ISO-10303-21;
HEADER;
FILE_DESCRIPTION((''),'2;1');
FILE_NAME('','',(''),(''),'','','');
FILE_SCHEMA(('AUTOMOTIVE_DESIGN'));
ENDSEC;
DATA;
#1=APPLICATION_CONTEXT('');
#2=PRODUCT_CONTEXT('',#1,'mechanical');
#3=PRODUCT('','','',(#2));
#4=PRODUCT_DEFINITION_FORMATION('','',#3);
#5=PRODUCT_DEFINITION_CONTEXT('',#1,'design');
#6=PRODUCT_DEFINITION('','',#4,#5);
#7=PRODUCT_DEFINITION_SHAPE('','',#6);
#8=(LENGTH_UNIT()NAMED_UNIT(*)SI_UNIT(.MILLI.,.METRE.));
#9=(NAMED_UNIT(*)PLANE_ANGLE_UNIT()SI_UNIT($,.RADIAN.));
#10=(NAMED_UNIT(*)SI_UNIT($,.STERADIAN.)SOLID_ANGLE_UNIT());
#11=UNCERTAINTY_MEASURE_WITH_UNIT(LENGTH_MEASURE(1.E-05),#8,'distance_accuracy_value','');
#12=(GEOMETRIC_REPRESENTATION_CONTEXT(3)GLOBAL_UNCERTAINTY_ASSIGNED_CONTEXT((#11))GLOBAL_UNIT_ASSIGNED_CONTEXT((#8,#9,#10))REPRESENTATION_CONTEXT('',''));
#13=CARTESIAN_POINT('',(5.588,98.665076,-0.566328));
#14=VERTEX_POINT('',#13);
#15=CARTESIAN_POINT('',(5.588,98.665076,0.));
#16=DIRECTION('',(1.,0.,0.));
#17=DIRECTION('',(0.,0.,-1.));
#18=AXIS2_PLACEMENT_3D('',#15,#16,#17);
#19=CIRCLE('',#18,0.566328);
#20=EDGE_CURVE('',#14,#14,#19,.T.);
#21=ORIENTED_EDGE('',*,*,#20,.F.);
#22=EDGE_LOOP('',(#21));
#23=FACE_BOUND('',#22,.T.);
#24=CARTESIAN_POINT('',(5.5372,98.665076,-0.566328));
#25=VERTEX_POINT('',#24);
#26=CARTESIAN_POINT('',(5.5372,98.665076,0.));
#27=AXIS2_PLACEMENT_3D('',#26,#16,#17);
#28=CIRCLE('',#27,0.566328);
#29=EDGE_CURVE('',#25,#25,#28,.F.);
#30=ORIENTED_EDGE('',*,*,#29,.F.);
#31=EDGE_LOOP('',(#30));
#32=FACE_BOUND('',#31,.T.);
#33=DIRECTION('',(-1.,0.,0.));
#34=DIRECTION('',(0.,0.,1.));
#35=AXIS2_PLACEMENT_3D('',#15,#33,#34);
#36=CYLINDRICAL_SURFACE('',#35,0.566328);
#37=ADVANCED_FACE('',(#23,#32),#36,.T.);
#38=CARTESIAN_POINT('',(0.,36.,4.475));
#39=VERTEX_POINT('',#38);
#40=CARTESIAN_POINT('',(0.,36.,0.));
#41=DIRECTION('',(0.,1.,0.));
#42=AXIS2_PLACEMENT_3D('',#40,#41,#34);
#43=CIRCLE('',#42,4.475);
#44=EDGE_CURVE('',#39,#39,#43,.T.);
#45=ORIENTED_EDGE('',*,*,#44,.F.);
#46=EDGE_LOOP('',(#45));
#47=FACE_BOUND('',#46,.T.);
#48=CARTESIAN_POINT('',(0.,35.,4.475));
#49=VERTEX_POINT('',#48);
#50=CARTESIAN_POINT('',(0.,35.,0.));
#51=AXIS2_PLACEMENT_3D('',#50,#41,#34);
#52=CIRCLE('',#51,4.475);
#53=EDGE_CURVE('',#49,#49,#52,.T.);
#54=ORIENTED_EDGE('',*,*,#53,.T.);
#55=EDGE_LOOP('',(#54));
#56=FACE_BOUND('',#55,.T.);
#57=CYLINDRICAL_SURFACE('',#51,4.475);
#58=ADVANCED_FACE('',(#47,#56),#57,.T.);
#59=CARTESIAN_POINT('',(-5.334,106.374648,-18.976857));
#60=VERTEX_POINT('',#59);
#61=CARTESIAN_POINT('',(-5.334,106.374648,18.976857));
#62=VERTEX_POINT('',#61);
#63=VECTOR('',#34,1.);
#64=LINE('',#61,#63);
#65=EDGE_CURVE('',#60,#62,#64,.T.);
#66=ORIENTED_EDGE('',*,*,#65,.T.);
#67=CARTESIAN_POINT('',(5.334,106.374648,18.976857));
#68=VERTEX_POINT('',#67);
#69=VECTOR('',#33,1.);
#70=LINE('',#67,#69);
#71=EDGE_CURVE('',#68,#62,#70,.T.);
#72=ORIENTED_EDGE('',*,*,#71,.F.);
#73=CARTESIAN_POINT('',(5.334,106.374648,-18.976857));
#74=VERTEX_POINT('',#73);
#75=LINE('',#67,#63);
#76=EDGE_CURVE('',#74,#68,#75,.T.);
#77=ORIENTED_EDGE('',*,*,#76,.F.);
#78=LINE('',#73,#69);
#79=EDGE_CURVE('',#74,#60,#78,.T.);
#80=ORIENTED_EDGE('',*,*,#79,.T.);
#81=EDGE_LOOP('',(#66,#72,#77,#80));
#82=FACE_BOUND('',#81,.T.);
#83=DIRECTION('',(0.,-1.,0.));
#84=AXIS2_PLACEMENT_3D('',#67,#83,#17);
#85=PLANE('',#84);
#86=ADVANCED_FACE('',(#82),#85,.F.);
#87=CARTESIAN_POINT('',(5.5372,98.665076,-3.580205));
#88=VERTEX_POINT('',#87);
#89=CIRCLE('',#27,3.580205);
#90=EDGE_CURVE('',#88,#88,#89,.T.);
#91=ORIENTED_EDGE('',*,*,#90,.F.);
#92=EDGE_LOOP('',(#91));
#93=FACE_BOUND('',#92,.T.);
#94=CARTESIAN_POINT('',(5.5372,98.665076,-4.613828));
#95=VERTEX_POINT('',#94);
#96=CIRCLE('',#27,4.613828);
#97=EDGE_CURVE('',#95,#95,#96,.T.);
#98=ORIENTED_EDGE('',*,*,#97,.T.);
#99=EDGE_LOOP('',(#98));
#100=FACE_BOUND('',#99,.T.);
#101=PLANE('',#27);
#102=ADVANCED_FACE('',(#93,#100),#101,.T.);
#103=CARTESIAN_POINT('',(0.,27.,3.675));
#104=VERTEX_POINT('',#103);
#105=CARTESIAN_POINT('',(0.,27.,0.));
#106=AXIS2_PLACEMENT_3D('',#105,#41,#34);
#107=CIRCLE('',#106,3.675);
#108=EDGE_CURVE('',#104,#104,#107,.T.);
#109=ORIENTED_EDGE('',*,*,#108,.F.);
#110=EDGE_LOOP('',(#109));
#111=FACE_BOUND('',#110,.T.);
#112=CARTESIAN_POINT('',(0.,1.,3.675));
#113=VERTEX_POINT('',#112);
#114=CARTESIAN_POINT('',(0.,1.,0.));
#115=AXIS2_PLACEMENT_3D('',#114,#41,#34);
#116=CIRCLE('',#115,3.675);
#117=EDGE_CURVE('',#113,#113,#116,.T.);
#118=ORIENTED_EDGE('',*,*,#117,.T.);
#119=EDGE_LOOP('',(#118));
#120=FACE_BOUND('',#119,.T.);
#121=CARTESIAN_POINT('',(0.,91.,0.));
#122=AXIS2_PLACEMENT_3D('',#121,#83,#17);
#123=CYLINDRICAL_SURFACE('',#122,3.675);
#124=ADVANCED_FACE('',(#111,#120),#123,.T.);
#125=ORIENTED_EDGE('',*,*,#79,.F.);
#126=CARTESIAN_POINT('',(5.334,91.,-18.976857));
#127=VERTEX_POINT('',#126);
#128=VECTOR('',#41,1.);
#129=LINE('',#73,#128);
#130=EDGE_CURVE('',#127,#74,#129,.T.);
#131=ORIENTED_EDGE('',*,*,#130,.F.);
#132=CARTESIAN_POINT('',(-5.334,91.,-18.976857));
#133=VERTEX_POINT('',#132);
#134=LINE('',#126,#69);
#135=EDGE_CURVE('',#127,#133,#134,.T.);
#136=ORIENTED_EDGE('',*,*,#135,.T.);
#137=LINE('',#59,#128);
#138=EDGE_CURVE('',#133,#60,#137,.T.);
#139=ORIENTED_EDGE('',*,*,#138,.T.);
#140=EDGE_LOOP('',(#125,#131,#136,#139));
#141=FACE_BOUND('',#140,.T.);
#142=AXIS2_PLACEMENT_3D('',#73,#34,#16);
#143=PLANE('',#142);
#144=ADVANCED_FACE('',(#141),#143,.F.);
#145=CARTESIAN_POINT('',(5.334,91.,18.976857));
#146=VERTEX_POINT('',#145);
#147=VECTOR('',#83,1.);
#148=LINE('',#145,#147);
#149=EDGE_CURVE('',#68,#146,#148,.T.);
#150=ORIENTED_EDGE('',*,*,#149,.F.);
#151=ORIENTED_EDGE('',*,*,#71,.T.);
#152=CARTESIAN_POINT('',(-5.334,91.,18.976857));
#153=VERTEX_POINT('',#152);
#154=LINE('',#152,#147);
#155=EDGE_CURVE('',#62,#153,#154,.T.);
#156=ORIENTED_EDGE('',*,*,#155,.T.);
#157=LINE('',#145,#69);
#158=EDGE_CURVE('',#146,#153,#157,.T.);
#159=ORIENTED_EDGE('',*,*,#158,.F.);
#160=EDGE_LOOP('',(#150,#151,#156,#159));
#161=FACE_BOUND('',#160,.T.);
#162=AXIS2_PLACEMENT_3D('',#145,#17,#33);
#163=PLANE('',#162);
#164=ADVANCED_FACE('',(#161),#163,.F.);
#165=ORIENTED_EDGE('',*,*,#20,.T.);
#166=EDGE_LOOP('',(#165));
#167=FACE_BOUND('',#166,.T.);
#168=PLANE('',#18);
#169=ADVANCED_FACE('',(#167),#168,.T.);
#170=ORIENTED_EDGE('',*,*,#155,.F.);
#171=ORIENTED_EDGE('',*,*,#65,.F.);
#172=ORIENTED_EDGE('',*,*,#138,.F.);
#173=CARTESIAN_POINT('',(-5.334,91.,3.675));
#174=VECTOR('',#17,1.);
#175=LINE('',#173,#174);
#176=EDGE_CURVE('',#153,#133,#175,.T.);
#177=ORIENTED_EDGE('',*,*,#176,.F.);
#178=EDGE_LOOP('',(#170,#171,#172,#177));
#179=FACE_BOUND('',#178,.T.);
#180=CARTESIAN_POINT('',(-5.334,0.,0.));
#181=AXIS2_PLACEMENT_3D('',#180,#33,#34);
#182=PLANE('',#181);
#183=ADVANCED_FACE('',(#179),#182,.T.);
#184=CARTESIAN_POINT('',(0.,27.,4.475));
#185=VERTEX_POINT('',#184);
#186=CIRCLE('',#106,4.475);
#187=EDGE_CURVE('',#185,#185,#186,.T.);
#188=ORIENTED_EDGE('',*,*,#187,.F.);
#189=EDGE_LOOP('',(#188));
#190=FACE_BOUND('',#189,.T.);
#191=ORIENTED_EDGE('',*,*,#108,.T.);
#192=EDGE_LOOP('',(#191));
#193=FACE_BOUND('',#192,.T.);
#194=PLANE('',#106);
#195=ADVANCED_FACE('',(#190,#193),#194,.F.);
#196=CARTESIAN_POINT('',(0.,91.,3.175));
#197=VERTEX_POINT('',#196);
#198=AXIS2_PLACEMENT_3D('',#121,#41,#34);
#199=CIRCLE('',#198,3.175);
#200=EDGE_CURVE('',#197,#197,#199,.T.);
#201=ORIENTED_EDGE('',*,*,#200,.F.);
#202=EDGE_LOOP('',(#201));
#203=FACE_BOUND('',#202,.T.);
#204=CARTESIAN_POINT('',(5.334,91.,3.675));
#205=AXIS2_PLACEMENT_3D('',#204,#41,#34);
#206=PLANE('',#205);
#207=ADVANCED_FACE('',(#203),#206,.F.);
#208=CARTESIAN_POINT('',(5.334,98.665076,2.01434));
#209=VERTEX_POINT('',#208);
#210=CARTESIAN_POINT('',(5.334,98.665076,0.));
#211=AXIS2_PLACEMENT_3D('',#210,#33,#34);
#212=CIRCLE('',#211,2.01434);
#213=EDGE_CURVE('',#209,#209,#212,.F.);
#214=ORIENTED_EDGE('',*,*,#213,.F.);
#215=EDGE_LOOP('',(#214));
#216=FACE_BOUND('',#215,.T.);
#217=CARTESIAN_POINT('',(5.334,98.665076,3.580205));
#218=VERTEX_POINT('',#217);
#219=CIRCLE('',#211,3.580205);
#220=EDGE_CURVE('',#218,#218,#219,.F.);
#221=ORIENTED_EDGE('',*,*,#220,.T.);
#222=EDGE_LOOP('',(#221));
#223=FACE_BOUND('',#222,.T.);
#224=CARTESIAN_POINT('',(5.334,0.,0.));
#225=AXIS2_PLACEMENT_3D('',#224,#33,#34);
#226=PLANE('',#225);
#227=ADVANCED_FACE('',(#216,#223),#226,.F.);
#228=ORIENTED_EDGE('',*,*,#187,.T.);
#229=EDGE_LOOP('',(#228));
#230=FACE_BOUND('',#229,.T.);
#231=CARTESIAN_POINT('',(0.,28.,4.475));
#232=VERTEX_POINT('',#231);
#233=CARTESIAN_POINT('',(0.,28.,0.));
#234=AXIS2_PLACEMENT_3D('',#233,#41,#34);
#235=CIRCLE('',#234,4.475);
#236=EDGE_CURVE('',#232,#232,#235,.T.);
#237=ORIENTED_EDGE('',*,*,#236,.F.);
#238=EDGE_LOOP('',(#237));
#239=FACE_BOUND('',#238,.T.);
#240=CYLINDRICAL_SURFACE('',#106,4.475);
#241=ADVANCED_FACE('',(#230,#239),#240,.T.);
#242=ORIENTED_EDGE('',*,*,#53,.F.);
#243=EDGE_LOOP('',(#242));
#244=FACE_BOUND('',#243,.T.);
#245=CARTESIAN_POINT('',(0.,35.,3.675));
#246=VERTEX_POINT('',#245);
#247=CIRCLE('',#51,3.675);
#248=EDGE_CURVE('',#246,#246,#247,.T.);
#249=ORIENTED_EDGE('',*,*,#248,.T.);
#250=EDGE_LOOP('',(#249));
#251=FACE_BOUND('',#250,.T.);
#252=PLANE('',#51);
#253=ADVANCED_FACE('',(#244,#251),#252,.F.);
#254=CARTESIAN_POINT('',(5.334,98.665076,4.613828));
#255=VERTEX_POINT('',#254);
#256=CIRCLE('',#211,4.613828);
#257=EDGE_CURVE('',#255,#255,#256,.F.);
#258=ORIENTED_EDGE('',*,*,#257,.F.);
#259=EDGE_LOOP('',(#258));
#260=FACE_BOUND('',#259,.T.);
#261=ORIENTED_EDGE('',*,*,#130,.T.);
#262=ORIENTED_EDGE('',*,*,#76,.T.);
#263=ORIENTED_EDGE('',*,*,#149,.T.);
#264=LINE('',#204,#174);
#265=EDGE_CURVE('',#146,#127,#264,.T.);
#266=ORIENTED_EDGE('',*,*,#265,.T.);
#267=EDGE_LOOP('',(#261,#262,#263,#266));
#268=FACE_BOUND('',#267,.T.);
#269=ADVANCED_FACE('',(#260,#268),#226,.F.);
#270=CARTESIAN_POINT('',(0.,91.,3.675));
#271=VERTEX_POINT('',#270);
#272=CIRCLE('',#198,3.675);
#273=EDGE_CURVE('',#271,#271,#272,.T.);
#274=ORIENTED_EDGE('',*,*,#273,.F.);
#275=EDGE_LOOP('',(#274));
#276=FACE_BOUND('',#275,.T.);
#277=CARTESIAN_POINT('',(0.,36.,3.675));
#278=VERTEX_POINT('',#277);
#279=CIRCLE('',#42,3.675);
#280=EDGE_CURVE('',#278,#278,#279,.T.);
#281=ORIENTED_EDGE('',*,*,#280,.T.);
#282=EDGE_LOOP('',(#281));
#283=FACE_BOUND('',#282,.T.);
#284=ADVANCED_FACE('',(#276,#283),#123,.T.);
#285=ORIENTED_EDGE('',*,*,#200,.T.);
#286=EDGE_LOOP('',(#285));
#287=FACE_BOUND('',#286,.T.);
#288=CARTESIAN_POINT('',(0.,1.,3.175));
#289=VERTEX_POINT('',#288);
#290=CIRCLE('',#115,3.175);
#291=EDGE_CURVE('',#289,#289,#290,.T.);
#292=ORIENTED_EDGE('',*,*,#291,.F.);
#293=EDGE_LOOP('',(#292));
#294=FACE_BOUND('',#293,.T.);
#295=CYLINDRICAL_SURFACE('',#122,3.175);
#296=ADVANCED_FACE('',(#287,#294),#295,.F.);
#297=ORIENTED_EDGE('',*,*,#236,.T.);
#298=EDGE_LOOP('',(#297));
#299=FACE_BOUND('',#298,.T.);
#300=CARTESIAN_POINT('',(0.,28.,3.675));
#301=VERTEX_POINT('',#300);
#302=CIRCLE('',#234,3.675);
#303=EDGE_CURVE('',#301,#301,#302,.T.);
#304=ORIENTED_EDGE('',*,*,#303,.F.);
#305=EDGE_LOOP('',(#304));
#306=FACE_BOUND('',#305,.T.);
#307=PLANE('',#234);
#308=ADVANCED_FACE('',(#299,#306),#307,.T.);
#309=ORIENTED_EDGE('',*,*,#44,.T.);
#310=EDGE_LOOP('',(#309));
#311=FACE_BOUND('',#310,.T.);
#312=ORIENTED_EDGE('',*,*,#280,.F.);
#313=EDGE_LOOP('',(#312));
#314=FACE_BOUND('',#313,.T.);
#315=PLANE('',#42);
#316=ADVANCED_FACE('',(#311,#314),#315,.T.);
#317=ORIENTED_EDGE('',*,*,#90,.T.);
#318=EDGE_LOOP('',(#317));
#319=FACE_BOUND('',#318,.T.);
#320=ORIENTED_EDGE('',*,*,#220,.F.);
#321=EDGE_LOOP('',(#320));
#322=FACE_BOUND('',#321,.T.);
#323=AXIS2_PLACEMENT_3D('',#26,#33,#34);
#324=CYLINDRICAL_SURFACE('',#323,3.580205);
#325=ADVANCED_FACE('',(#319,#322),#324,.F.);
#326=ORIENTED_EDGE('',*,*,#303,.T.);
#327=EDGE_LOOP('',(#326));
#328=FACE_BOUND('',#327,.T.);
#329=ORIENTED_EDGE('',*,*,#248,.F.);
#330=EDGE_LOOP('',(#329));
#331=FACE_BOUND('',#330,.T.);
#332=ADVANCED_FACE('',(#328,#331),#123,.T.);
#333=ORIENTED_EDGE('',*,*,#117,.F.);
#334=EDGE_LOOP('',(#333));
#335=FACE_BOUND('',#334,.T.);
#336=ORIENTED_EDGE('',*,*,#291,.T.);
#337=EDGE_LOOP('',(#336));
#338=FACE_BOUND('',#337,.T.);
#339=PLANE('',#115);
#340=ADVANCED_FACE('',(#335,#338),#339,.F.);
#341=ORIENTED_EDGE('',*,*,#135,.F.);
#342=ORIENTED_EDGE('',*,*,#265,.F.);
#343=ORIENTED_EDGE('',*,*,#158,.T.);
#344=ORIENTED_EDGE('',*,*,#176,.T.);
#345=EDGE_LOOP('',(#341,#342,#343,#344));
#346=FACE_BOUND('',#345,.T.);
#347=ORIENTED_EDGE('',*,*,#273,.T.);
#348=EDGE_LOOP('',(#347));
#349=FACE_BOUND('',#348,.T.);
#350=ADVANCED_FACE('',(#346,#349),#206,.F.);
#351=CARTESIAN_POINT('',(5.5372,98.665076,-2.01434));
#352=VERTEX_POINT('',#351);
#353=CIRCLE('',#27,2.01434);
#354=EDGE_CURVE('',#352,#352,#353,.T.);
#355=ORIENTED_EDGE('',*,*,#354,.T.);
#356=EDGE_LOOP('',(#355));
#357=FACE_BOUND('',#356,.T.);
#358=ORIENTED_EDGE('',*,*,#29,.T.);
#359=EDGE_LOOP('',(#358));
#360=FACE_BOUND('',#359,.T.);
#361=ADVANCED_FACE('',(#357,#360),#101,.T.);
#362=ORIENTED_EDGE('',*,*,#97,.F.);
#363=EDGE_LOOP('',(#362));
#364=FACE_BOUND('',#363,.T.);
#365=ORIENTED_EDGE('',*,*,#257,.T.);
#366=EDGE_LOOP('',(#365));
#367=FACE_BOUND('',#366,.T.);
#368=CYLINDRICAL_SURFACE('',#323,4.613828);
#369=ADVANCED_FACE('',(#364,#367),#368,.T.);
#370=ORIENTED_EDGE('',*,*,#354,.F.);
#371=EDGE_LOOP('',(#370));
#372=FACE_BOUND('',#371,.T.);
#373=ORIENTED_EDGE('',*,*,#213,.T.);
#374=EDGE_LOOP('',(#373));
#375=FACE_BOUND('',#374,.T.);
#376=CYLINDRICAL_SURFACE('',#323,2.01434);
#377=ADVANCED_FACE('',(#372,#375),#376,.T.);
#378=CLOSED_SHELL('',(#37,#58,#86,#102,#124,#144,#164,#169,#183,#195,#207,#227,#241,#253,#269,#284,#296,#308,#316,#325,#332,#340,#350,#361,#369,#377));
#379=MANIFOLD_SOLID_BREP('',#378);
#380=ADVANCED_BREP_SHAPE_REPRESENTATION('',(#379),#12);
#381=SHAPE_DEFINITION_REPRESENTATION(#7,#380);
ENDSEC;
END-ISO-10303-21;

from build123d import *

# Parameters (mm, degrees)
SKETCH2_R            = 36.75
SKETCH2_R_2          = 31.75
BOSS_EXTRUDE2_DEPTH  = 900
BOSS_EXTRUDE10_DEPTH = 5
CIRPATTERN3_COUNT    = 4
BOSS_EXTRUDE11_START = -10
SKETCH5_R            = 44.75
SKETCH5_R_2          = 36.75
BOSS_EXTRUDE11_DEPTH = 10
LPATTERN1_COUNT      = 2
LPATTERN1_PITCH      = 80
BOSS_EXTRUDE12_DEPTH = 53.34
SKETCH7_R            = 46.138276775
SKETCH7_R_2          = 35.802049151
BOSS_EXTRUDE15_DEPTH = 55.372
SKETCH8_R            = 20.14340108
BOSS_EXTRUDE16_DEPTH = 55.372
SKETCH9_R            = 5.663284778
BOSS_EXTRUDE18_DEPTH = 55.88
SCALE1_SCALE         = 0.1


with BuildPart() as part:
    # Sketch2 → Boss-Extrude2 (new body)
    with BuildSketch(Plane(origin=(0, 10, 0), x_dir=(1, 0, 0), z_dir=(0, 1, 0))):
        Circle(SKETCH2_R)
        Circle(SKETCH2_R_2, mode=Mode.SUBTRACT)
    extrude(amount=BOSS_EXTRUDE2_DEPTH)

    # Sketch5 → Boss-Extrude11 (add)
    with BuildSketch(Plane(origin=(0, 280.000000004, 0), x_dir=(1, 0, 0), z_dir=(0, 1, 0)).offset(BOSS_EXTRUDE11_START)):
        Circle(SKETCH5_R)
        Circle(SKETCH5_R_2, mode=Mode.SUBTRACT)
    boss_extrude11 = extrude(amount=BOSS_EXTRUDE11_DEPTH)

    # LPattern1: Boss-Extrude11 ×2
    with Locations(*[(0, i * LPATTERN1_PITCH, 0) for i in range(1, LPATTERN1_COUNT)]):
        add(boss_extrude11)

    # Sketch6 → Boss-Extrude12 (add, symmetric)
    with BuildSketch(Plane(origin=(0, 0, 0), x_dir=(0, 0, -1), z_dir=(1, 0, 0))):
        Polygon((-36.75, 910), (-189.768574018, 910), (-189.768574018, 1063.746484801), (189.768574018, 1063.746484801), (189.768574018, 910), (36.75, 910), align=None)
    extrude(amount=BOSS_EXTRUDE12_DEPTH, both=True)

    # Sketch7 → Boss-Extrude15 (add)
    with BuildSketch(Plane(origin=(0, 0, 0), x_dir=(0, 0, -1), z_dir=(1, 0, 0))):
        with Locations((0, 986.650763521)):
            Circle(SKETCH7_R)
        with Locations((0, 986.650763521)):
            Circle(SKETCH7_R_2, mode=Mode.SUBTRACT)
    extrude(amount=BOSS_EXTRUDE15_DEPTH)

    # Sketch8 → Boss-Extrude16 (add)
    with BuildSketch(Plane(origin=(0, 0, 0), x_dir=(0, 0, -1), z_dir=(1, 0, 0))):
        with Locations((0, 986.650763521)):
            Circle(SKETCH8_R)
    extrude(amount=BOSS_EXTRUDE16_DEPTH)

    # Sketch9 → Boss-Extrude18 (add)
    with BuildSketch(Plane(origin=(0, 0, 0), x_dir=(0, 0, -1), z_dir=(1, 0, 0))):
        with Locations((0, 986.650763521)):
            Circle(SKETCH9_R)
    extrude(amount=BOSS_EXTRUDE18_DEPTH)


with BuildPart() as body_2:
    # Sketch4 → Boss-Extrude10 (new, symmetric)
    with BuildSketch(Plane.XY):
        Polygon((-125, 10), (-125, 37.123747586), (-87.807861708, 71.973477342), (-36.75, 71.973477342), (-36.75, 10), align=None)
    extrude(amount=BOSS_EXTRUDE10_DEPTH, both=True)


with BuildPart() as cirpattern3_1:
    # CirPattern3: pattern copy
    add(body_2.part.rotate(Axis((0, 0, 0), (0, -1, 0)), 1 * 360 / CIRPATTERN3_COUNT))


with BuildPart() as cirpattern3_2:
    # CirPattern3: pattern copy
    add(body_2.part.rotate(Axis((0, 0, 0), (0, -1, 0)), 2 * 360 / CIRPATTERN3_COUNT))


with BuildPart() as cirpattern3_3:
    # CirPattern3: pattern copy
    add(body_2.part.rotate(Axis((0, 0, 0), (0, -1, 0)), 3 * 360 / CIRPATTERN3_COUNT))


with BuildPart() as part_1:
    # Scale1: scaled about (0, 0, 0)
    add(part.part.scale(SCALE1_SCALE))


solid = part_1.part
